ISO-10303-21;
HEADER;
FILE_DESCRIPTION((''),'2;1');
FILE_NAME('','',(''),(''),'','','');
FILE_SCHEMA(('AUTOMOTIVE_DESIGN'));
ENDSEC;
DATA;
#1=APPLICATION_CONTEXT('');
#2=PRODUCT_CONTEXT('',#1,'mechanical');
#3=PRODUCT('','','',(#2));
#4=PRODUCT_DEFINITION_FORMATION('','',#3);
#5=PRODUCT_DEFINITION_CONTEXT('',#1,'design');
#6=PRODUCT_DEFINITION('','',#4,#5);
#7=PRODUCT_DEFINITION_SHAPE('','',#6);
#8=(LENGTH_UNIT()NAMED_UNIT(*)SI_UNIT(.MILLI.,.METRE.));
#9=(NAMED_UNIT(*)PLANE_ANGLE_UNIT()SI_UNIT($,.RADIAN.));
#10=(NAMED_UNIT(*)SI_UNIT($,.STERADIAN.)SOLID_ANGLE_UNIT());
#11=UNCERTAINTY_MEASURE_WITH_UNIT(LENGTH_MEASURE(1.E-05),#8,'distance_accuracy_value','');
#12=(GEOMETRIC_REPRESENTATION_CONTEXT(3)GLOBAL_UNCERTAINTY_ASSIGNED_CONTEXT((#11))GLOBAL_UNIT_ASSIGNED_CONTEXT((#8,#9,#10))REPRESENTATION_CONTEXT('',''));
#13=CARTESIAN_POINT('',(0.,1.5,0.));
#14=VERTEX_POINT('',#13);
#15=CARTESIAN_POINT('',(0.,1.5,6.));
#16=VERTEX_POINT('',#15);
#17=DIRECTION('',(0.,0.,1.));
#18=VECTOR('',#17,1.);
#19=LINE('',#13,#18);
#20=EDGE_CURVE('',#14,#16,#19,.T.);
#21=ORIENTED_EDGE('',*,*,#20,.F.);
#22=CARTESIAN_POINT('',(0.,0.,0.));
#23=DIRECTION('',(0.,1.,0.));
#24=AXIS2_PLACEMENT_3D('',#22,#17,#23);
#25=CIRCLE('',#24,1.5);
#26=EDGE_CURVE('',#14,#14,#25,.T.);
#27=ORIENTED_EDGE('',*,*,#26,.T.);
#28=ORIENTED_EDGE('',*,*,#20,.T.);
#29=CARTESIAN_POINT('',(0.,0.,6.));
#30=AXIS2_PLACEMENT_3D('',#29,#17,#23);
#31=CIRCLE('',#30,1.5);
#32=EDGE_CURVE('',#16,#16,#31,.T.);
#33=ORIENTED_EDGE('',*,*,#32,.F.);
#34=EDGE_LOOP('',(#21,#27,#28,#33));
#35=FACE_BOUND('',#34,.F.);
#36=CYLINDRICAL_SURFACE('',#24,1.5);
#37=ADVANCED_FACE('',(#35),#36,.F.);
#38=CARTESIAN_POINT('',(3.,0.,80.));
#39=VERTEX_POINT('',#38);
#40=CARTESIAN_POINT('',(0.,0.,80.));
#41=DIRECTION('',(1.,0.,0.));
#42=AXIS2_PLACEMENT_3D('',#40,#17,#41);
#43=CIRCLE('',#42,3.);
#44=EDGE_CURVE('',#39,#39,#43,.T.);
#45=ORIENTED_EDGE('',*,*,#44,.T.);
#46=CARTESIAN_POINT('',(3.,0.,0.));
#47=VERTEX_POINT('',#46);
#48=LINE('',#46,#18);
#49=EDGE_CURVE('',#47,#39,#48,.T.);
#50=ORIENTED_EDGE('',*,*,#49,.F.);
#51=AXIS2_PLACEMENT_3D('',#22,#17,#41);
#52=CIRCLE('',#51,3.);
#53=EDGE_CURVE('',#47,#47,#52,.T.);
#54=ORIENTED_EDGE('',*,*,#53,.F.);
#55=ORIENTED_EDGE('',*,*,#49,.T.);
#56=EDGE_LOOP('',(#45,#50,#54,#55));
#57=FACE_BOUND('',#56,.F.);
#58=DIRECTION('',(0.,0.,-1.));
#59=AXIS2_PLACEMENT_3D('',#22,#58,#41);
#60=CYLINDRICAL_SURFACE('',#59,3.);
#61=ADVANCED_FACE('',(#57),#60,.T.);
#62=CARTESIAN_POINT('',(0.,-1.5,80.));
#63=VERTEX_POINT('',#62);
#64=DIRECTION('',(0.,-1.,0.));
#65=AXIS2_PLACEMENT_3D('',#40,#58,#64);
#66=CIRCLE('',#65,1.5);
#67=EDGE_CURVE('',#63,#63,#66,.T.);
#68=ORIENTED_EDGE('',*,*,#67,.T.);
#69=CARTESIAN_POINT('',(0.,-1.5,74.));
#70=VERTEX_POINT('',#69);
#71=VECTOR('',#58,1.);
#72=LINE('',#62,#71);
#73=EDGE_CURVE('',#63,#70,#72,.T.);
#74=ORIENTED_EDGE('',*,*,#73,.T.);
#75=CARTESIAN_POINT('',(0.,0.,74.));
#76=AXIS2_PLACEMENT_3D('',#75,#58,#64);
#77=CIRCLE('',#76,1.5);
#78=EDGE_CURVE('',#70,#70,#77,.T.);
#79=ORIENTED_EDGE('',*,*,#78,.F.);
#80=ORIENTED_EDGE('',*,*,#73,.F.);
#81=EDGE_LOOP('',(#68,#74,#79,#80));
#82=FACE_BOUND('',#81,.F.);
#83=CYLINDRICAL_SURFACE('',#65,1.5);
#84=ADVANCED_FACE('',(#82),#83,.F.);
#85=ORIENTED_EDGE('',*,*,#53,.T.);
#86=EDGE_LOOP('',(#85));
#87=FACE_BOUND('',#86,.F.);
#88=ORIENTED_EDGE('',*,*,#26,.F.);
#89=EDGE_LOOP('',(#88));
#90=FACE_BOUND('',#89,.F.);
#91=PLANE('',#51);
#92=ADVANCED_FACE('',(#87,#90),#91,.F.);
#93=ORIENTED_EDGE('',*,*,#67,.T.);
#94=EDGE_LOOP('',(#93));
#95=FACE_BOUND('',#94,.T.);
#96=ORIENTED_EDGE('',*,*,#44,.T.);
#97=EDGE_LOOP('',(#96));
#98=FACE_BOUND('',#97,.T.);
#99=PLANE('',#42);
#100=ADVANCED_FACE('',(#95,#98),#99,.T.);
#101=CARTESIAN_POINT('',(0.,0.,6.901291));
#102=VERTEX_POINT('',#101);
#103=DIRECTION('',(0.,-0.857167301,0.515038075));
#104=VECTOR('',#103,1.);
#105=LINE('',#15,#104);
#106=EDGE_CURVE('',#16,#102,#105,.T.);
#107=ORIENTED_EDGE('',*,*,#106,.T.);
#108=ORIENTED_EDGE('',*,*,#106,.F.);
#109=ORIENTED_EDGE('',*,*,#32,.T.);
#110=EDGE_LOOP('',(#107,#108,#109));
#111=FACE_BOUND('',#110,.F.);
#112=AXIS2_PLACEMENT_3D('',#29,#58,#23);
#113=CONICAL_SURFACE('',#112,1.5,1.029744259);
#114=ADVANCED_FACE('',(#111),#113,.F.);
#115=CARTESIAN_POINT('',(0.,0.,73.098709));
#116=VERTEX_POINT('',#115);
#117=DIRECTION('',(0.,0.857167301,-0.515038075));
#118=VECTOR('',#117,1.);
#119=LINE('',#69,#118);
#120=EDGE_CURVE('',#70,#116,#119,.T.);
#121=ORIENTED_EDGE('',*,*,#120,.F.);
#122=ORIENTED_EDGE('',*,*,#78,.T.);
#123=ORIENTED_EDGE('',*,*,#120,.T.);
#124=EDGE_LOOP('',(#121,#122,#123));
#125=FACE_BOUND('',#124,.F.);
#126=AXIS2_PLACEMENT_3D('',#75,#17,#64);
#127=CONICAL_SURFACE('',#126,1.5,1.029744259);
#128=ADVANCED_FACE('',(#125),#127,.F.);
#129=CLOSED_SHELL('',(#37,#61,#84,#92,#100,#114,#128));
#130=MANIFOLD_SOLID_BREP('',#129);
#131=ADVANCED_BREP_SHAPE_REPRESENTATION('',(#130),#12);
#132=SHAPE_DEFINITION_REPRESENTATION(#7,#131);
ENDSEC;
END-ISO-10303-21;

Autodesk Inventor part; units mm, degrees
ref_plane "YZ Plane" through (0, 0, 0) normal (1, 0, 0) x (0, 1, 0)
ref_plane "XZ Plane" through (0, 0, 0) normal (0, 1, 0) x (-1, 0, 0)
ref_plane "XY Plane" through (0, 0, 0) normal (0, 0, 1) x (1, 0, 0)
sketch "スケッチ1" plane through (0, 0, 0) normal (0, 0, 1) x (1, 0, 0)
  circle A0 centre (0, 0) radius 3
  circle A1 centre (0, 0) radius 1.5005
  dimension "d0" = 6
  dimension "d1" = 3.001
extrude "押し出し1" add sketch "スケッチ1" along normal blind 80
sketch "スケッチ2" plane through (0, 0, 80) normal (0, 0, 1) x (1, 0, 0)
  circle A0 centre (0, 0) radius 1.5005 projected
  circle A1 centre (0, 0) radius 1.5
  dimension "d4" = 3
extrude "押し出し2" add sketch "スケッチ2" against normal blind 80
hole "穴1" at (0, 0, 80) direction (0, 0, -1) diameter 3 depth 6 tip angle 118
hole "穴2" at (0, 0, 0) direction (0, 0, 1) diameter 3 depth 6 tip angle 118
properties part number "スペーサーm3-80　簡易筒型" material "アルミニウム 2014-T4"
